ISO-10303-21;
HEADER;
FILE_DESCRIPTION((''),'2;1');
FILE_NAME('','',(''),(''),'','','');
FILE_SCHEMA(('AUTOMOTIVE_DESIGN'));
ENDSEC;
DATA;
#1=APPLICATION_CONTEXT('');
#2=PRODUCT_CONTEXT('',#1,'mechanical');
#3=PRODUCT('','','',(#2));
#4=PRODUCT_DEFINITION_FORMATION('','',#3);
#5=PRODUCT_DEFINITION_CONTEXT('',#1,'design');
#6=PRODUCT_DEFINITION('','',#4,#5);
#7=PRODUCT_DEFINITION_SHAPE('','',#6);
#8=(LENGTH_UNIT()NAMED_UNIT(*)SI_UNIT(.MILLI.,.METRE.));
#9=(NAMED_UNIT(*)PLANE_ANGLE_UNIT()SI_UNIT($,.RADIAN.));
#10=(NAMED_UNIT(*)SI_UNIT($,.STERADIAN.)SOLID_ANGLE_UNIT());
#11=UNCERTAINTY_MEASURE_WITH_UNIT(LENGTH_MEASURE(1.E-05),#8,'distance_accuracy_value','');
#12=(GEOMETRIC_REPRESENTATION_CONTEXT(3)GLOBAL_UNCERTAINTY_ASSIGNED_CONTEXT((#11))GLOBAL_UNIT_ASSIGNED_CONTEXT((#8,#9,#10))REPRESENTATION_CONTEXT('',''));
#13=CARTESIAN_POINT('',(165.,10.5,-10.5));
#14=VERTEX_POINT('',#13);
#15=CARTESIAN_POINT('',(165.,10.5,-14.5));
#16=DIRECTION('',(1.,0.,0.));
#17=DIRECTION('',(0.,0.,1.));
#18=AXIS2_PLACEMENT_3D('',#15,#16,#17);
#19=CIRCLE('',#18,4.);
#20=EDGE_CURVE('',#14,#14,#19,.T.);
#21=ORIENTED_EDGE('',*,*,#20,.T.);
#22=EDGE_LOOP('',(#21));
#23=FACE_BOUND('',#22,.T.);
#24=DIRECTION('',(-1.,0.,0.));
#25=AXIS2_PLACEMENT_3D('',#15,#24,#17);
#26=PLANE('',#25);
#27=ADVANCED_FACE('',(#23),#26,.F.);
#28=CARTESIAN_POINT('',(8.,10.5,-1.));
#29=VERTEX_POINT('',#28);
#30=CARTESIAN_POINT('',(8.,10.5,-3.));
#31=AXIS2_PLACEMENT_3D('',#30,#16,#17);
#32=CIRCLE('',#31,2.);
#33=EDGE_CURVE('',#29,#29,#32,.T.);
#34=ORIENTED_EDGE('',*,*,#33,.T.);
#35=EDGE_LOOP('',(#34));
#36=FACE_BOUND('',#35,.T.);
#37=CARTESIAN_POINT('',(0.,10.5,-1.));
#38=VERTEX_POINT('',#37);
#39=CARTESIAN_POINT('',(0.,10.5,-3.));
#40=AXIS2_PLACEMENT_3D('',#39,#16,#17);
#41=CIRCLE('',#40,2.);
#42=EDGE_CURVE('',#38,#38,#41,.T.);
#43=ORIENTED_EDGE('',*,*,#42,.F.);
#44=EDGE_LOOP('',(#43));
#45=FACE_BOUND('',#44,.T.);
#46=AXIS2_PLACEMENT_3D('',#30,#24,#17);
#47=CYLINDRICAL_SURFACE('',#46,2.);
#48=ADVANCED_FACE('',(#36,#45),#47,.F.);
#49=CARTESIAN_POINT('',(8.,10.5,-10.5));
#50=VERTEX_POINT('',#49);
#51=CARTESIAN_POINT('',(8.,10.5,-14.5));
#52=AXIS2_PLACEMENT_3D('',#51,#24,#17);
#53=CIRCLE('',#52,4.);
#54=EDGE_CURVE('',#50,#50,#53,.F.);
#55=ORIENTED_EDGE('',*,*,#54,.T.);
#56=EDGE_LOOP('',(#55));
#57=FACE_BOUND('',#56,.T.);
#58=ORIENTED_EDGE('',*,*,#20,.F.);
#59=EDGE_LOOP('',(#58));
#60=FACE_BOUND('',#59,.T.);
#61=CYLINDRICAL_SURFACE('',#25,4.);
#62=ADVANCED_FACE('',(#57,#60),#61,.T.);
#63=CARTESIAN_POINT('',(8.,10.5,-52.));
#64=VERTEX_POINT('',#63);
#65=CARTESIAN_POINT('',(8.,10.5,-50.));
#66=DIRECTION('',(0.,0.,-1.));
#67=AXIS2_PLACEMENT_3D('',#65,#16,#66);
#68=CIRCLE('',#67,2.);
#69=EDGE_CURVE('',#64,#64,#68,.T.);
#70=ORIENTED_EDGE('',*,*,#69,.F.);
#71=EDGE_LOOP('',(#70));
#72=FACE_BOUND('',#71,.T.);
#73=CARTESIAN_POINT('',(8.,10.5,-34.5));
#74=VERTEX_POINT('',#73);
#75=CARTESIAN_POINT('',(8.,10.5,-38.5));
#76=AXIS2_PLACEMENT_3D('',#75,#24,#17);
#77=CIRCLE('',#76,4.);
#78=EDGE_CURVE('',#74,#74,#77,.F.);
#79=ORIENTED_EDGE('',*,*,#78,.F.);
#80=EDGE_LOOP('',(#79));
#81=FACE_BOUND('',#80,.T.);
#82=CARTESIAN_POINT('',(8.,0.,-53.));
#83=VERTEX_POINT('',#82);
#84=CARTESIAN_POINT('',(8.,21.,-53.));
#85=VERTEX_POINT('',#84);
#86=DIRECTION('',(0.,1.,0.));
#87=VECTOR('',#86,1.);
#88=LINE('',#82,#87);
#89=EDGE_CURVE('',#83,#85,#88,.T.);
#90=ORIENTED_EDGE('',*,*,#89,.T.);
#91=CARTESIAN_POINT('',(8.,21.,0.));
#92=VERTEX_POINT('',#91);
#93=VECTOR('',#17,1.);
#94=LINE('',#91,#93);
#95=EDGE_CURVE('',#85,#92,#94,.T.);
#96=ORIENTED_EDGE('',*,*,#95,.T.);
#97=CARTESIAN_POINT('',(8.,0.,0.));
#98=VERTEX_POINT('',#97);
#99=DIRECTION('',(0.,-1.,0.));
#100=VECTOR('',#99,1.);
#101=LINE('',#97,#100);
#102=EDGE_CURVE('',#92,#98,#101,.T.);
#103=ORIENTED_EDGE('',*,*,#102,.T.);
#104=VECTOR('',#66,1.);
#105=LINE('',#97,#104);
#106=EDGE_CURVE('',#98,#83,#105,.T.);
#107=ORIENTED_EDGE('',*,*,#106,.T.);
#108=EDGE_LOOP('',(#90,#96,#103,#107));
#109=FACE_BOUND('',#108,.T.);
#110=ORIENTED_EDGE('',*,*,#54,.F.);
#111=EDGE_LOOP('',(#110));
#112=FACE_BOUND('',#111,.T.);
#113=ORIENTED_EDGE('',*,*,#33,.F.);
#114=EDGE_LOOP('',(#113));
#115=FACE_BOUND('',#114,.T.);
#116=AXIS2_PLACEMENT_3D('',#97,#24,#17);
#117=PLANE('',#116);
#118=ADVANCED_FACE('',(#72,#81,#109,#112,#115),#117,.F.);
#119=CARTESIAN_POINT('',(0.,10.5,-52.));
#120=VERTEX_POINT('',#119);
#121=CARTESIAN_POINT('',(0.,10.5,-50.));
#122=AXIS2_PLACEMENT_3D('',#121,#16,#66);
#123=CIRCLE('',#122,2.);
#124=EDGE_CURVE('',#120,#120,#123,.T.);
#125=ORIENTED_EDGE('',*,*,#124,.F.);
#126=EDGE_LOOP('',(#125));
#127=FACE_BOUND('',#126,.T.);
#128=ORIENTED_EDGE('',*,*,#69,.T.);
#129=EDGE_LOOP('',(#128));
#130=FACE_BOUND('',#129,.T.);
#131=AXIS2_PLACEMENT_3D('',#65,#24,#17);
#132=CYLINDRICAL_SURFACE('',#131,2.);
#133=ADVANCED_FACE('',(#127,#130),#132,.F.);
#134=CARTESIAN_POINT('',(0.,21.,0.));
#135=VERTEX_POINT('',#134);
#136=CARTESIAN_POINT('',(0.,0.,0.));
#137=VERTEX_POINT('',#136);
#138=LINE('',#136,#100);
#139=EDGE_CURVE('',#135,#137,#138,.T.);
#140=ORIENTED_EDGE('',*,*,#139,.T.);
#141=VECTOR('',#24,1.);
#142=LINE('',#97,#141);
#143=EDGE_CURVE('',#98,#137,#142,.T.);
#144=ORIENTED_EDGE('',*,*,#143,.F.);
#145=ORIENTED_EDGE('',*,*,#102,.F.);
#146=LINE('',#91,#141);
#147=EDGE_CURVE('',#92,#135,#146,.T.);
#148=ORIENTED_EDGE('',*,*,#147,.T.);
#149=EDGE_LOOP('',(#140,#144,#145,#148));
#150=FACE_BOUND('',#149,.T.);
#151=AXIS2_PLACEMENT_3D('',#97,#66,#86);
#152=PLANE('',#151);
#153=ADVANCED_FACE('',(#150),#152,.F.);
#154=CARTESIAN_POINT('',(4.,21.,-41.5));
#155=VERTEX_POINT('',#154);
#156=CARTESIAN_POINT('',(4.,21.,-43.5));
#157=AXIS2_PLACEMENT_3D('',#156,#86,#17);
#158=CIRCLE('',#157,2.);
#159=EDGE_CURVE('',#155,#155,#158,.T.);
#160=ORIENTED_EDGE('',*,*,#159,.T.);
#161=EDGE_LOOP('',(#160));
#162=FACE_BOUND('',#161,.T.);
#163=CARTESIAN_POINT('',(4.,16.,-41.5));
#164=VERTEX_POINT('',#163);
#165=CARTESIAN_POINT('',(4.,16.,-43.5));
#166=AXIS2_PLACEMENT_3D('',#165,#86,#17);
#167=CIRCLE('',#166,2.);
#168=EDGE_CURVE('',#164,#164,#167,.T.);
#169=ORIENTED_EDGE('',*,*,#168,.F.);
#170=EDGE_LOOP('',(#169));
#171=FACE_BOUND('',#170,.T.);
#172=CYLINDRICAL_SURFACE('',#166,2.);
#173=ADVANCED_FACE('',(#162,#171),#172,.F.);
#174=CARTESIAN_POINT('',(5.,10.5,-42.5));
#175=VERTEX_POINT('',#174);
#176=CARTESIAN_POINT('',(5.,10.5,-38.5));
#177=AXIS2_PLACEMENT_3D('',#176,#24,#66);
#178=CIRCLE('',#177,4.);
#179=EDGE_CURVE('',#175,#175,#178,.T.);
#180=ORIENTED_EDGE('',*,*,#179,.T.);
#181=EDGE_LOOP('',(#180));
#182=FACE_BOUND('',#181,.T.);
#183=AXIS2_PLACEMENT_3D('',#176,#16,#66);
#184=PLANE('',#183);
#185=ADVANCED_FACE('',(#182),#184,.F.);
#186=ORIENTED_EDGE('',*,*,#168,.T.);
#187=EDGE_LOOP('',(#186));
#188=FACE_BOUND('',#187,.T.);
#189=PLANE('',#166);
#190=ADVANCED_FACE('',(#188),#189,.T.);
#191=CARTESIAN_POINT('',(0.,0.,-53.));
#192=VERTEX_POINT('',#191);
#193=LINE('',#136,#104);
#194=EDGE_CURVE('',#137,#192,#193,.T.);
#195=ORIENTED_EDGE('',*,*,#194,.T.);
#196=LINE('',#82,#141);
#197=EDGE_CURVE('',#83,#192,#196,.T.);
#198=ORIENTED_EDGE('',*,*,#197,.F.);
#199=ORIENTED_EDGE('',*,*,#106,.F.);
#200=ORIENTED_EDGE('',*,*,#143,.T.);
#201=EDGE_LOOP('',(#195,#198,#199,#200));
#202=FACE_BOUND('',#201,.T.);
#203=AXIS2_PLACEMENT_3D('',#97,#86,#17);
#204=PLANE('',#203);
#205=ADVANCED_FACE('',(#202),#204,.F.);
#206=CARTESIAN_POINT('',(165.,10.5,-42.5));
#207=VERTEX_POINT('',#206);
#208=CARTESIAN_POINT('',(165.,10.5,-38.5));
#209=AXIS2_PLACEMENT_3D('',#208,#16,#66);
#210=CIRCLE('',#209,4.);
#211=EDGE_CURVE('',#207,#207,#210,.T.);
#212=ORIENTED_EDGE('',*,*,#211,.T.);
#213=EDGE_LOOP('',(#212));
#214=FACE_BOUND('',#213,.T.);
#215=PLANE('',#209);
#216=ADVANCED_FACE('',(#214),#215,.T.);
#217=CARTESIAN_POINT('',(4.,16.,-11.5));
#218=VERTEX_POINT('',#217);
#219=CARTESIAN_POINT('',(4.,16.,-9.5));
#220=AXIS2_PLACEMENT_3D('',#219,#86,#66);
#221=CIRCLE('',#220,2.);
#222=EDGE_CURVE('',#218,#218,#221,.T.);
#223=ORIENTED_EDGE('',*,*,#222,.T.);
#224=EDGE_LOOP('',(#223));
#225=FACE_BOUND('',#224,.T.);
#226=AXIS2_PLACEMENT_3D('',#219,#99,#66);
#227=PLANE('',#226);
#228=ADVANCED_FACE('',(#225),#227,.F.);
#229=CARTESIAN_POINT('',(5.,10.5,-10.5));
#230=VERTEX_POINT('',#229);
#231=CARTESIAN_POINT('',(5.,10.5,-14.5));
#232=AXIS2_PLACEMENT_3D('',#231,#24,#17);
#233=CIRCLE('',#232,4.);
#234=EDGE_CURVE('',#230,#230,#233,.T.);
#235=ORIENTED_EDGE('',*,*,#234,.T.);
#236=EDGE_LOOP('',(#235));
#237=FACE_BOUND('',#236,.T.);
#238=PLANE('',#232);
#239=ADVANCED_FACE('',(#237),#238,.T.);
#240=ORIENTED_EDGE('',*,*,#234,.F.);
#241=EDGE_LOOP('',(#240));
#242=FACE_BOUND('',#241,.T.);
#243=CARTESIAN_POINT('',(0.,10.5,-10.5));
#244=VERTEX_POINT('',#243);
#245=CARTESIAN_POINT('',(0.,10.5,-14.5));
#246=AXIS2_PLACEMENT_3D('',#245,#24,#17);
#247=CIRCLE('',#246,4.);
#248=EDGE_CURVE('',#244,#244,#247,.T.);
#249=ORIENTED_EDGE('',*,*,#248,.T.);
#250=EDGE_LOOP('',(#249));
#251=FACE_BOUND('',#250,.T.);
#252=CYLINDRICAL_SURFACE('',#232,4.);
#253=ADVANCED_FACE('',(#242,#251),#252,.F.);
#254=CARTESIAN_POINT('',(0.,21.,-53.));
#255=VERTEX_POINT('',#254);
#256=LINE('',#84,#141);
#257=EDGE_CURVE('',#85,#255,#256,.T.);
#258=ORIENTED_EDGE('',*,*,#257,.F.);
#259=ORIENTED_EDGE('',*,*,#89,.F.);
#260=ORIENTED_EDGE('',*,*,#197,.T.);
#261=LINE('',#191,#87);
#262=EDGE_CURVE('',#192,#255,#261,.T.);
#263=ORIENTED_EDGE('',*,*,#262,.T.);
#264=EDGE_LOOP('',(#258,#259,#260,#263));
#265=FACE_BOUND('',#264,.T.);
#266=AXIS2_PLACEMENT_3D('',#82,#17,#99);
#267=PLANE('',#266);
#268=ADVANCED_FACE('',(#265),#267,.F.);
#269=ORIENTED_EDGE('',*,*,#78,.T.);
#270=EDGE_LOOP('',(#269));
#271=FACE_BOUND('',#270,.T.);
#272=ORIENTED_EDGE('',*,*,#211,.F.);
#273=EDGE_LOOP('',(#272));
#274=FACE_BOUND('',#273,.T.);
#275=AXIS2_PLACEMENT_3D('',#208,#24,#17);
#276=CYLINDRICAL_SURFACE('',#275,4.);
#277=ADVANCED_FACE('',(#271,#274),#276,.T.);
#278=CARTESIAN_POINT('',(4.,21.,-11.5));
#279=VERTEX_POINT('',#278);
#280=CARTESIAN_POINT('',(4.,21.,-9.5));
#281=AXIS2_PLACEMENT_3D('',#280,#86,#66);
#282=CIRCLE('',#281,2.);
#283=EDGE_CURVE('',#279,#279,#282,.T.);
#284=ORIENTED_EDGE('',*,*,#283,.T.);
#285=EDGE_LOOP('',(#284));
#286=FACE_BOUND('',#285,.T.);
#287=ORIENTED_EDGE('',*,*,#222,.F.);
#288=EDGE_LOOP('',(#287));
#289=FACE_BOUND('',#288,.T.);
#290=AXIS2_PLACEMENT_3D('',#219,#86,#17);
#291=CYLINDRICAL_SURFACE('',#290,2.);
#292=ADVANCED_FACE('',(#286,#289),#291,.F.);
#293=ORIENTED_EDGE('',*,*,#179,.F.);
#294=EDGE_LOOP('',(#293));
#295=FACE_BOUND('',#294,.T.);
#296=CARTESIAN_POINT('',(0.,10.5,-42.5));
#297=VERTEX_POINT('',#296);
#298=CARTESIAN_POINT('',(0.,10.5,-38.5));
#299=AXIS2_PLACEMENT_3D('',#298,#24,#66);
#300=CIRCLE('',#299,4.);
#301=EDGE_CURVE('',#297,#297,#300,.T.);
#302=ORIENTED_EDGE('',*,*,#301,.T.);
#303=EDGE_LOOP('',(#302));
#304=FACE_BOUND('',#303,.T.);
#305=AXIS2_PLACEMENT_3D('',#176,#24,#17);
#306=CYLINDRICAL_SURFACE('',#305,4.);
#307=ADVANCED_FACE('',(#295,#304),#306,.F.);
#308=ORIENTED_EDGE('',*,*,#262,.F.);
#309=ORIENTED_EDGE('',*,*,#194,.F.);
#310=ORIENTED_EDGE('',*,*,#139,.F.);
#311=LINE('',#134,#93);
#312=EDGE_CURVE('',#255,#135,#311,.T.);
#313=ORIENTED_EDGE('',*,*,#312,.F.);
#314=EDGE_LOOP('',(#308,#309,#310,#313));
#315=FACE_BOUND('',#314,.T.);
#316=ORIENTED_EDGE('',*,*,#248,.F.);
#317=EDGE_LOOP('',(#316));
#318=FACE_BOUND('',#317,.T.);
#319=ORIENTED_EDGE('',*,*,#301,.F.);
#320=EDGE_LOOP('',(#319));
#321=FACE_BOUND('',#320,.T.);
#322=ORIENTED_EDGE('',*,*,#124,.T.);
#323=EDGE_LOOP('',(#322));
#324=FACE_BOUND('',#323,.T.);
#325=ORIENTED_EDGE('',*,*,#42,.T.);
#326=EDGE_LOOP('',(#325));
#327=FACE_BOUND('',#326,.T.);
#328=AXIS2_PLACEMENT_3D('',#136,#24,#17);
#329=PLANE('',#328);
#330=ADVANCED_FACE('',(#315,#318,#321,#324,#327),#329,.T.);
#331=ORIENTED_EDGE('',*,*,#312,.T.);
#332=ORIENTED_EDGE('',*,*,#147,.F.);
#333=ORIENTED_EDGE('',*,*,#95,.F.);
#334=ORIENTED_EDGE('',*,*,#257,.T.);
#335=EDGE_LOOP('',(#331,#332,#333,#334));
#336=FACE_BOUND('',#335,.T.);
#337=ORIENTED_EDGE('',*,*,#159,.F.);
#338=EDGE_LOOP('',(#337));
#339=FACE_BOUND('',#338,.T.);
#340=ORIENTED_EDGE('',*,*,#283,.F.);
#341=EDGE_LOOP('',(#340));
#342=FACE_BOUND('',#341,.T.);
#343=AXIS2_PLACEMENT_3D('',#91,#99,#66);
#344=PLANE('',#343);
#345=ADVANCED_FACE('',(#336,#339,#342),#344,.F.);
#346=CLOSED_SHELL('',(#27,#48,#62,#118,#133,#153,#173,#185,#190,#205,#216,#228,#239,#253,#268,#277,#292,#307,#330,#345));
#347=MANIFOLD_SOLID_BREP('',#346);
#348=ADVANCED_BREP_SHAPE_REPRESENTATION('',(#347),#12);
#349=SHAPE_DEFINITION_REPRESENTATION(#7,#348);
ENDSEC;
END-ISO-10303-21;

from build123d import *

# Parameters (mm, degrees)
SKETCH_1_W          = 53
SKETCH_1_H          = 21
SKETCH_1_R          = 2
EXTRUDE_1_DEPTH     = 8
SKETCH_2_R          = 4
CUT_EXTRUDE_1_DEPTH = 5
SKETCH_3_R          = 4
EXTRUDE_2_DEPTH     = 157
SKETCH_4_R          = 2
CUT_EXTRUDE_2_DEPTH = 5


with BuildPart() as part:
    # 草图1 → 凸台-拉伸1 (new body)
    with BuildSketch(Plane(origin=(0, 0, 0), x_dir=(0, 0, -1), z_dir=(1, 0, 0))):
        with Locations((26.5, 10.5)):
            Rectangle(SKETCH_1_W, SKETCH_1_H)
        with Locations((50, 10.5)):
            Circle(SKETCH_1_R, mode=Mode.SUBTRACT)
        with Locations(Location((3, 10.5, 0), (0, 0, 180))):
            Circle(SKETCH_1_R, mode=Mode.SUBTRACT)
    extrude(amount=EXTRUDE_1_DEPTH)

    # 草图2 → 切除-拉伸1 (cut)
    with BuildSketch(Plane.ZY):
        with Locations((-14.5, 10.5)):
            Circle(SKETCH_2_R)
        with Locations(Location((-38.5, 10.5, 0), (0, 0, 180))):
            Circle(SKETCH_2_R)
    extrude(amount=-CUT_EXTRUDE_1_DEPTH, mode=Mode.SUBTRACT)

    # 草图3 → 凸台-拉伸2 (add)
    with BuildSketch(Plane(origin=(8, 0, 0), x_dir=(0, 0, -1), z_dir=(1, 0, 0))):
        with Locations((38.5, 10.5)):
            Circle(SKETCH_3_R)
        with Locations(Location((14.5, 10.5, 0), (0, 0, 180))):
            Circle(SKETCH_3_R)
    extrude(amount=EXTRUDE_2_DEPTH)

    # 草图4 → 切除-拉伸2 (cut)
    with BuildSketch(Plane(origin=(0, 21, 0), x_dir=(1, 0, 0), z_dir=(0, 1, 0))):
        with Locations(Location((4, 43.5, 0), (0, 0, 270))):
            Circle(SKETCH_4_R)
        with Locations(Location((4, 9.5, 0), (0, 0, 90))):
            Circle(SKETCH_4_R)
    extrude(amount=-CUT_EXTRUDE_2_DEPTH, mode=Mode.SUBTRACT)


solid = part.part
